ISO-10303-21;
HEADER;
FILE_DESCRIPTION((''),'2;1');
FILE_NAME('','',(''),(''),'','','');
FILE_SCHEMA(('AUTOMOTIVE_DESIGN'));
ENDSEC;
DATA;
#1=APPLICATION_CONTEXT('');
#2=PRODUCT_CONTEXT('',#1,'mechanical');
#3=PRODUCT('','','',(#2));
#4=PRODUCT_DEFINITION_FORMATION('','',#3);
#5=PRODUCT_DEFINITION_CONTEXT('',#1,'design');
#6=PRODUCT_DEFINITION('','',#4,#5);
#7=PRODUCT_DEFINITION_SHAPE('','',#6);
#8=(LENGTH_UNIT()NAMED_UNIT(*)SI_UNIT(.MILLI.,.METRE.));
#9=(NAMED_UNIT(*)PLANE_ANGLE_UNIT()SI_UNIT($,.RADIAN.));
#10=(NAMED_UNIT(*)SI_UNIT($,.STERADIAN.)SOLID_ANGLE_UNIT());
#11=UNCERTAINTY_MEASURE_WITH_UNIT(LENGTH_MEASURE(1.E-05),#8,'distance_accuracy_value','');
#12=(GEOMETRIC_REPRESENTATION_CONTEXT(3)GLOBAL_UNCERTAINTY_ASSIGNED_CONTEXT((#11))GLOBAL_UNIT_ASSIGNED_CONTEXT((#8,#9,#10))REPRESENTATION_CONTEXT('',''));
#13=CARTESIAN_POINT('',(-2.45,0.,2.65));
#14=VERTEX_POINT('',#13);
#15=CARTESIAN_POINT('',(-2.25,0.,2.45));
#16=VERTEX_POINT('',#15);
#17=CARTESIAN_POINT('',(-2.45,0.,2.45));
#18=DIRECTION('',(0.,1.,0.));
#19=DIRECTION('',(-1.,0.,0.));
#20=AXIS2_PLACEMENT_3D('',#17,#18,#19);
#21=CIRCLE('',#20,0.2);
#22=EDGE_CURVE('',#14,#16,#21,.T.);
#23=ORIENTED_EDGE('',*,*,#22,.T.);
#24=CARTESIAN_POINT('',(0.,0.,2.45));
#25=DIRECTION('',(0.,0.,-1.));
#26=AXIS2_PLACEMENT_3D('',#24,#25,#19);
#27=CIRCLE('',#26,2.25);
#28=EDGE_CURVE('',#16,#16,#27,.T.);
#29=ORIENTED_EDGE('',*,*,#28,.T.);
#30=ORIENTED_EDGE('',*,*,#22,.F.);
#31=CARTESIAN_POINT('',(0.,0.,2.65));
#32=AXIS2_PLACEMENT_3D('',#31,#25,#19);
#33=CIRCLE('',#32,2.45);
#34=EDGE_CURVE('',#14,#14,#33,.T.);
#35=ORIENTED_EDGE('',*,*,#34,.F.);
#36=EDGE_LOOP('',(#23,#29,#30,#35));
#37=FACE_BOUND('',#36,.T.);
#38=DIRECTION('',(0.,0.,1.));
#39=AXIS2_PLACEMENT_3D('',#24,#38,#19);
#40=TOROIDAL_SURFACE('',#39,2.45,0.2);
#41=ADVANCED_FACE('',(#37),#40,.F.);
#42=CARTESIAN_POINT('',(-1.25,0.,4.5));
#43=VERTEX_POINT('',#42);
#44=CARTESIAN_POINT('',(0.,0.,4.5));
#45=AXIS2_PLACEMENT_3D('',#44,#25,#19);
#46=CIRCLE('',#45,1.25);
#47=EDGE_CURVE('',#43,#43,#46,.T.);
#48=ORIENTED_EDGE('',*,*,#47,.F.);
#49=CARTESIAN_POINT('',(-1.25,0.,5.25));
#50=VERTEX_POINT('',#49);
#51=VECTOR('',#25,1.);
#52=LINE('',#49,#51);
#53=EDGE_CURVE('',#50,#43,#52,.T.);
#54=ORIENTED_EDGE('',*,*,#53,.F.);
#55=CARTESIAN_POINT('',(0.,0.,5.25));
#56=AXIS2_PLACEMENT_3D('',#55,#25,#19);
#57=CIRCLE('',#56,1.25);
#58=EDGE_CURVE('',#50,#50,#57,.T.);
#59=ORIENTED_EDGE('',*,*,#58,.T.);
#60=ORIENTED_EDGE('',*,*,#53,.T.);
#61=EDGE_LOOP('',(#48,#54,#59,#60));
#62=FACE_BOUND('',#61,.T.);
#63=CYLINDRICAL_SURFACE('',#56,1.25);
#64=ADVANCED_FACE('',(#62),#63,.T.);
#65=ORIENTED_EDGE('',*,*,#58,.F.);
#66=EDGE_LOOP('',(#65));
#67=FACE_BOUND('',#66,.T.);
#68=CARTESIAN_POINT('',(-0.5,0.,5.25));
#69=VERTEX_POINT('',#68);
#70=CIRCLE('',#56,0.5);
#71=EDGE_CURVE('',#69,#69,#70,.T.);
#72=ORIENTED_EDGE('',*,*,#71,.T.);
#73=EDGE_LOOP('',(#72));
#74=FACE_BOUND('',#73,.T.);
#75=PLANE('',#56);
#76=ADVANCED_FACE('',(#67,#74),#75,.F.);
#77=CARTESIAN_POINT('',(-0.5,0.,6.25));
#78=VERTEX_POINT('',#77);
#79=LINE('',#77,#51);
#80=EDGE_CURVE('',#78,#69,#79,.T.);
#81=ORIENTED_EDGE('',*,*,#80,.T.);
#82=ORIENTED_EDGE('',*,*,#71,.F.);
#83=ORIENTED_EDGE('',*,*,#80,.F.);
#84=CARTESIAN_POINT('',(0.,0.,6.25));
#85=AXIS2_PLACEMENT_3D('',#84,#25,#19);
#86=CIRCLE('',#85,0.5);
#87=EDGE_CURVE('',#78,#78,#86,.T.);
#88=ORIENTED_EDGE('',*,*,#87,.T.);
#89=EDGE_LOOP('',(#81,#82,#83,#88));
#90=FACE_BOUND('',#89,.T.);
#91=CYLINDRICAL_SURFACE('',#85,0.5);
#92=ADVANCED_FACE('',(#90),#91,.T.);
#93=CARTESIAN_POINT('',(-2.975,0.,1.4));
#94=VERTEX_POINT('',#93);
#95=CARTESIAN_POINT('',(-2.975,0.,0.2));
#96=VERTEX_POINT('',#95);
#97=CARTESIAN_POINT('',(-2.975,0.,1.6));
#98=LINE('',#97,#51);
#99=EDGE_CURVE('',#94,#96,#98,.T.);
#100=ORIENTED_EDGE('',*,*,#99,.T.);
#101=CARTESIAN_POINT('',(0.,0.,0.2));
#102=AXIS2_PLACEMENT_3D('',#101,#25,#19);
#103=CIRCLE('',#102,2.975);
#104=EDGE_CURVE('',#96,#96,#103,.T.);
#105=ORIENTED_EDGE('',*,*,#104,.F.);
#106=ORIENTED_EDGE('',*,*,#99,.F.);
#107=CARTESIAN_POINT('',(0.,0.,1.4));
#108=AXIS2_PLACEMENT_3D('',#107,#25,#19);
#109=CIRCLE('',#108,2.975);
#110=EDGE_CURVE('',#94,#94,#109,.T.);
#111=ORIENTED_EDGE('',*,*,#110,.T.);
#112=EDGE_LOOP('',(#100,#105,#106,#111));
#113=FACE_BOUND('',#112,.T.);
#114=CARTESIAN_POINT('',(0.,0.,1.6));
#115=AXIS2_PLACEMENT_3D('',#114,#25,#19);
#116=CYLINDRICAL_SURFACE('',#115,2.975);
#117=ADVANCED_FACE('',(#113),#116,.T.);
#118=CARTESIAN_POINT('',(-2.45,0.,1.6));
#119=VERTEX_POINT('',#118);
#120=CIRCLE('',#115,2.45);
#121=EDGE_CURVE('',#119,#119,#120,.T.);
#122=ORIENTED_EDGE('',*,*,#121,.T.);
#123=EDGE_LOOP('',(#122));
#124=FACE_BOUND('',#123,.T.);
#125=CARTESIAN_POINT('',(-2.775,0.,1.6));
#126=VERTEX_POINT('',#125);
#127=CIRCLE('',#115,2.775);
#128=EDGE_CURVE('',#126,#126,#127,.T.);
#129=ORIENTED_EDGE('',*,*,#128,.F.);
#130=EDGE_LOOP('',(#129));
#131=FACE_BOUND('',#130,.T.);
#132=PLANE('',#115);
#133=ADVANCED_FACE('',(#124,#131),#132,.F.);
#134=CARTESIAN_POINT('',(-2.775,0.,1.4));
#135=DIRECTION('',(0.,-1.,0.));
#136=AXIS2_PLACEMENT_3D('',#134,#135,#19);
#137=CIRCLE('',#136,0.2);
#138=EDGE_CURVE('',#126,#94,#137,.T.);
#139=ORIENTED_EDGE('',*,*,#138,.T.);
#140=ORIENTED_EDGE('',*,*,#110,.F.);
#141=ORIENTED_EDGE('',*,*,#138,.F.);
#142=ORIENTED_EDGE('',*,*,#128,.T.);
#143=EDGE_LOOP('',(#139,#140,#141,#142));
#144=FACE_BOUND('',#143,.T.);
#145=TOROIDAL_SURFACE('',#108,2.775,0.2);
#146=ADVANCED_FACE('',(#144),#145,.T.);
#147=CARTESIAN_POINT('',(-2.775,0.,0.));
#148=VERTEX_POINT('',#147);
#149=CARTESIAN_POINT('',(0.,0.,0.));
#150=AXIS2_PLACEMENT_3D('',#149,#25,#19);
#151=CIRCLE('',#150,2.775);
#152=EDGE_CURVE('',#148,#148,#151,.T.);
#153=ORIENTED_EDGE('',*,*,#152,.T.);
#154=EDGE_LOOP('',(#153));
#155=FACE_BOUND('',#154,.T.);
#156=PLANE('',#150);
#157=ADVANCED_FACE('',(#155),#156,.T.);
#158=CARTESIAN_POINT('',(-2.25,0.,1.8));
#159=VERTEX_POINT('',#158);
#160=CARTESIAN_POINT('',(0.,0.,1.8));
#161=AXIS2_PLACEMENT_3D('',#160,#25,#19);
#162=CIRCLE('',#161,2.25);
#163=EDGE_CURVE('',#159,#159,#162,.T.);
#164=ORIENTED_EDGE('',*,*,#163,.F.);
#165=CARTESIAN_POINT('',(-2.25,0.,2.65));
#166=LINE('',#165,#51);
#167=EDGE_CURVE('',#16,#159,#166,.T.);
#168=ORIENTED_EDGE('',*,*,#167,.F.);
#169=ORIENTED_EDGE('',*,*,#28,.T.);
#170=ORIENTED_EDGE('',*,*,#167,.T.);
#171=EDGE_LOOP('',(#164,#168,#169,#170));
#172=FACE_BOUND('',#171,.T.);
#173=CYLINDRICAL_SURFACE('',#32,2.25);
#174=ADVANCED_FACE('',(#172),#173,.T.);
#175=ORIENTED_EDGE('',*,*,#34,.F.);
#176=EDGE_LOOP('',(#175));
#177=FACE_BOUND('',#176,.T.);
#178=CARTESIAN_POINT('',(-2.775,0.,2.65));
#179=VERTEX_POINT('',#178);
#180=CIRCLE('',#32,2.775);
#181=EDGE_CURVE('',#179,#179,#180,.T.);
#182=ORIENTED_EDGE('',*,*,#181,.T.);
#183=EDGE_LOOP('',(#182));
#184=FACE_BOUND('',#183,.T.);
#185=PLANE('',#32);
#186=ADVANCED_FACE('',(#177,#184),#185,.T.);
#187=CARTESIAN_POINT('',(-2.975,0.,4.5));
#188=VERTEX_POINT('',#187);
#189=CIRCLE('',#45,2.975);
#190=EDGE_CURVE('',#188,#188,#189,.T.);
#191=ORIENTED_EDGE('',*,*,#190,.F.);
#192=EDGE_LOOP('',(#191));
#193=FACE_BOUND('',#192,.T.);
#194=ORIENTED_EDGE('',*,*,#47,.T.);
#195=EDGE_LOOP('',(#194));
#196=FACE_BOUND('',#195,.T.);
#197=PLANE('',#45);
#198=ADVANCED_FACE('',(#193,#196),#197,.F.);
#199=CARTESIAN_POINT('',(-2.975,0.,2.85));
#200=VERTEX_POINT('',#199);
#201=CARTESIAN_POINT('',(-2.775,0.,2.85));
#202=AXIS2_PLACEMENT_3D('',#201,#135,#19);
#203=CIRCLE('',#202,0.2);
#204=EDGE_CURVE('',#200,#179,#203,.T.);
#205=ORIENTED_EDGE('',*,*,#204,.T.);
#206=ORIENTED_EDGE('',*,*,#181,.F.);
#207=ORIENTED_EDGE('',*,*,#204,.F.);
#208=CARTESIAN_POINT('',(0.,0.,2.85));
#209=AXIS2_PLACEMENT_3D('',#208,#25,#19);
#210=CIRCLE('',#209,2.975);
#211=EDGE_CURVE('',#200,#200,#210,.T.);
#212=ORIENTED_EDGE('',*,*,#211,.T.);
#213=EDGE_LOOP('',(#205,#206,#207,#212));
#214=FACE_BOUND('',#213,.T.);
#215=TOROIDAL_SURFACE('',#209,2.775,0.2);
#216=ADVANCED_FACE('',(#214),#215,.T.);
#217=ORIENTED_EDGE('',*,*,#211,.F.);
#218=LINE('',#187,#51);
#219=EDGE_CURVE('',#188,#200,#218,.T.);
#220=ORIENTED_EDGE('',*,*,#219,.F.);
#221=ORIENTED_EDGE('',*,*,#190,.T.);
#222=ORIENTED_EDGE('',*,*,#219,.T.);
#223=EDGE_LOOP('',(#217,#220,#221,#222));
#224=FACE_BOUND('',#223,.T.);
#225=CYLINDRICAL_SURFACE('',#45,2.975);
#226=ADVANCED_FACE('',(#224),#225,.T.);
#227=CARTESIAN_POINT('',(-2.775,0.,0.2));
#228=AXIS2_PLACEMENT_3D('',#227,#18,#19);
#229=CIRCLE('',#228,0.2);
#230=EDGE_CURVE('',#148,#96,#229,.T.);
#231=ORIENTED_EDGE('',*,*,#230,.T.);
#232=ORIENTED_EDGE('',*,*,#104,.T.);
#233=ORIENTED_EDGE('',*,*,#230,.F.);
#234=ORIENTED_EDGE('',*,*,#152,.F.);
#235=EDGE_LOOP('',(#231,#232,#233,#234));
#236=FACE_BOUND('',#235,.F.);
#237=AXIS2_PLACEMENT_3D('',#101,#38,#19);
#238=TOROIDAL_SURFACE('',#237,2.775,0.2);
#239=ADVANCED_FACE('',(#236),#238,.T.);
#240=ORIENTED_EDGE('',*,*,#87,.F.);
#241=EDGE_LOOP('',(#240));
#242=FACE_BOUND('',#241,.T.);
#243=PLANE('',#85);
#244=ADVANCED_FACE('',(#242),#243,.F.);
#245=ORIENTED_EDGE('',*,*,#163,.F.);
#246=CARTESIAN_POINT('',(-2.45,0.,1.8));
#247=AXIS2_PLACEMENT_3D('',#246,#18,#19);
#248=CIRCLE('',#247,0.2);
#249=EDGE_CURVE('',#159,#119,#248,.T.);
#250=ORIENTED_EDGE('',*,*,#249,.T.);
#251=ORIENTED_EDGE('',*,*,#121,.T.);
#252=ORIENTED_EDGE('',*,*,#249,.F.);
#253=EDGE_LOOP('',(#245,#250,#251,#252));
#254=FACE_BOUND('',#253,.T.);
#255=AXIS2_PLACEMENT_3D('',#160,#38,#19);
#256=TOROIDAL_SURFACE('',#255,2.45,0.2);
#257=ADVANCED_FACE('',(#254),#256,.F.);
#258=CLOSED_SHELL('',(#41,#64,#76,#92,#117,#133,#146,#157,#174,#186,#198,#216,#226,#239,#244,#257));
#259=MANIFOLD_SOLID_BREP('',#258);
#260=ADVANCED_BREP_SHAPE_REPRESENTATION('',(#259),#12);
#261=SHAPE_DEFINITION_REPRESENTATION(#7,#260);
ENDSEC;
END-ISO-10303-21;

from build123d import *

# Parameters (mm, degrees)
F2_R = 0.2


with BuildPart() as f1:
    # F0 (on Front) → F1 (revolve)
    with BuildSketch(Plane.XZ):
        Polygon((-2.975, 0), (0, 0), (0, 6.25), (-0.5, 6.25), (-0.5, 5.25), (-1.25, 5.25), (-1.25, 4.5), (-2.975, 4.5), (-2.975, 2.65), (-2.25, 2.65), (-2.25, 1.6), (-2.975, 1.6), align=None)
    revolve(axis=Axis((0, 0, 3.125), (0, 0, -1)))

    # F2
    f2_edges = [f1.edges().sort_by_distance(p)[0] for p in [
        (2.975, 0, 2.65),
        (2.25, 0, 1.6),
        (2.25, 0, 2.65),
        (2.975, 0, 1.6),
        (2.975, 0, 0),
    ]]
    fillet(f2_edges, radius=F2_R)


solid = f1.part
